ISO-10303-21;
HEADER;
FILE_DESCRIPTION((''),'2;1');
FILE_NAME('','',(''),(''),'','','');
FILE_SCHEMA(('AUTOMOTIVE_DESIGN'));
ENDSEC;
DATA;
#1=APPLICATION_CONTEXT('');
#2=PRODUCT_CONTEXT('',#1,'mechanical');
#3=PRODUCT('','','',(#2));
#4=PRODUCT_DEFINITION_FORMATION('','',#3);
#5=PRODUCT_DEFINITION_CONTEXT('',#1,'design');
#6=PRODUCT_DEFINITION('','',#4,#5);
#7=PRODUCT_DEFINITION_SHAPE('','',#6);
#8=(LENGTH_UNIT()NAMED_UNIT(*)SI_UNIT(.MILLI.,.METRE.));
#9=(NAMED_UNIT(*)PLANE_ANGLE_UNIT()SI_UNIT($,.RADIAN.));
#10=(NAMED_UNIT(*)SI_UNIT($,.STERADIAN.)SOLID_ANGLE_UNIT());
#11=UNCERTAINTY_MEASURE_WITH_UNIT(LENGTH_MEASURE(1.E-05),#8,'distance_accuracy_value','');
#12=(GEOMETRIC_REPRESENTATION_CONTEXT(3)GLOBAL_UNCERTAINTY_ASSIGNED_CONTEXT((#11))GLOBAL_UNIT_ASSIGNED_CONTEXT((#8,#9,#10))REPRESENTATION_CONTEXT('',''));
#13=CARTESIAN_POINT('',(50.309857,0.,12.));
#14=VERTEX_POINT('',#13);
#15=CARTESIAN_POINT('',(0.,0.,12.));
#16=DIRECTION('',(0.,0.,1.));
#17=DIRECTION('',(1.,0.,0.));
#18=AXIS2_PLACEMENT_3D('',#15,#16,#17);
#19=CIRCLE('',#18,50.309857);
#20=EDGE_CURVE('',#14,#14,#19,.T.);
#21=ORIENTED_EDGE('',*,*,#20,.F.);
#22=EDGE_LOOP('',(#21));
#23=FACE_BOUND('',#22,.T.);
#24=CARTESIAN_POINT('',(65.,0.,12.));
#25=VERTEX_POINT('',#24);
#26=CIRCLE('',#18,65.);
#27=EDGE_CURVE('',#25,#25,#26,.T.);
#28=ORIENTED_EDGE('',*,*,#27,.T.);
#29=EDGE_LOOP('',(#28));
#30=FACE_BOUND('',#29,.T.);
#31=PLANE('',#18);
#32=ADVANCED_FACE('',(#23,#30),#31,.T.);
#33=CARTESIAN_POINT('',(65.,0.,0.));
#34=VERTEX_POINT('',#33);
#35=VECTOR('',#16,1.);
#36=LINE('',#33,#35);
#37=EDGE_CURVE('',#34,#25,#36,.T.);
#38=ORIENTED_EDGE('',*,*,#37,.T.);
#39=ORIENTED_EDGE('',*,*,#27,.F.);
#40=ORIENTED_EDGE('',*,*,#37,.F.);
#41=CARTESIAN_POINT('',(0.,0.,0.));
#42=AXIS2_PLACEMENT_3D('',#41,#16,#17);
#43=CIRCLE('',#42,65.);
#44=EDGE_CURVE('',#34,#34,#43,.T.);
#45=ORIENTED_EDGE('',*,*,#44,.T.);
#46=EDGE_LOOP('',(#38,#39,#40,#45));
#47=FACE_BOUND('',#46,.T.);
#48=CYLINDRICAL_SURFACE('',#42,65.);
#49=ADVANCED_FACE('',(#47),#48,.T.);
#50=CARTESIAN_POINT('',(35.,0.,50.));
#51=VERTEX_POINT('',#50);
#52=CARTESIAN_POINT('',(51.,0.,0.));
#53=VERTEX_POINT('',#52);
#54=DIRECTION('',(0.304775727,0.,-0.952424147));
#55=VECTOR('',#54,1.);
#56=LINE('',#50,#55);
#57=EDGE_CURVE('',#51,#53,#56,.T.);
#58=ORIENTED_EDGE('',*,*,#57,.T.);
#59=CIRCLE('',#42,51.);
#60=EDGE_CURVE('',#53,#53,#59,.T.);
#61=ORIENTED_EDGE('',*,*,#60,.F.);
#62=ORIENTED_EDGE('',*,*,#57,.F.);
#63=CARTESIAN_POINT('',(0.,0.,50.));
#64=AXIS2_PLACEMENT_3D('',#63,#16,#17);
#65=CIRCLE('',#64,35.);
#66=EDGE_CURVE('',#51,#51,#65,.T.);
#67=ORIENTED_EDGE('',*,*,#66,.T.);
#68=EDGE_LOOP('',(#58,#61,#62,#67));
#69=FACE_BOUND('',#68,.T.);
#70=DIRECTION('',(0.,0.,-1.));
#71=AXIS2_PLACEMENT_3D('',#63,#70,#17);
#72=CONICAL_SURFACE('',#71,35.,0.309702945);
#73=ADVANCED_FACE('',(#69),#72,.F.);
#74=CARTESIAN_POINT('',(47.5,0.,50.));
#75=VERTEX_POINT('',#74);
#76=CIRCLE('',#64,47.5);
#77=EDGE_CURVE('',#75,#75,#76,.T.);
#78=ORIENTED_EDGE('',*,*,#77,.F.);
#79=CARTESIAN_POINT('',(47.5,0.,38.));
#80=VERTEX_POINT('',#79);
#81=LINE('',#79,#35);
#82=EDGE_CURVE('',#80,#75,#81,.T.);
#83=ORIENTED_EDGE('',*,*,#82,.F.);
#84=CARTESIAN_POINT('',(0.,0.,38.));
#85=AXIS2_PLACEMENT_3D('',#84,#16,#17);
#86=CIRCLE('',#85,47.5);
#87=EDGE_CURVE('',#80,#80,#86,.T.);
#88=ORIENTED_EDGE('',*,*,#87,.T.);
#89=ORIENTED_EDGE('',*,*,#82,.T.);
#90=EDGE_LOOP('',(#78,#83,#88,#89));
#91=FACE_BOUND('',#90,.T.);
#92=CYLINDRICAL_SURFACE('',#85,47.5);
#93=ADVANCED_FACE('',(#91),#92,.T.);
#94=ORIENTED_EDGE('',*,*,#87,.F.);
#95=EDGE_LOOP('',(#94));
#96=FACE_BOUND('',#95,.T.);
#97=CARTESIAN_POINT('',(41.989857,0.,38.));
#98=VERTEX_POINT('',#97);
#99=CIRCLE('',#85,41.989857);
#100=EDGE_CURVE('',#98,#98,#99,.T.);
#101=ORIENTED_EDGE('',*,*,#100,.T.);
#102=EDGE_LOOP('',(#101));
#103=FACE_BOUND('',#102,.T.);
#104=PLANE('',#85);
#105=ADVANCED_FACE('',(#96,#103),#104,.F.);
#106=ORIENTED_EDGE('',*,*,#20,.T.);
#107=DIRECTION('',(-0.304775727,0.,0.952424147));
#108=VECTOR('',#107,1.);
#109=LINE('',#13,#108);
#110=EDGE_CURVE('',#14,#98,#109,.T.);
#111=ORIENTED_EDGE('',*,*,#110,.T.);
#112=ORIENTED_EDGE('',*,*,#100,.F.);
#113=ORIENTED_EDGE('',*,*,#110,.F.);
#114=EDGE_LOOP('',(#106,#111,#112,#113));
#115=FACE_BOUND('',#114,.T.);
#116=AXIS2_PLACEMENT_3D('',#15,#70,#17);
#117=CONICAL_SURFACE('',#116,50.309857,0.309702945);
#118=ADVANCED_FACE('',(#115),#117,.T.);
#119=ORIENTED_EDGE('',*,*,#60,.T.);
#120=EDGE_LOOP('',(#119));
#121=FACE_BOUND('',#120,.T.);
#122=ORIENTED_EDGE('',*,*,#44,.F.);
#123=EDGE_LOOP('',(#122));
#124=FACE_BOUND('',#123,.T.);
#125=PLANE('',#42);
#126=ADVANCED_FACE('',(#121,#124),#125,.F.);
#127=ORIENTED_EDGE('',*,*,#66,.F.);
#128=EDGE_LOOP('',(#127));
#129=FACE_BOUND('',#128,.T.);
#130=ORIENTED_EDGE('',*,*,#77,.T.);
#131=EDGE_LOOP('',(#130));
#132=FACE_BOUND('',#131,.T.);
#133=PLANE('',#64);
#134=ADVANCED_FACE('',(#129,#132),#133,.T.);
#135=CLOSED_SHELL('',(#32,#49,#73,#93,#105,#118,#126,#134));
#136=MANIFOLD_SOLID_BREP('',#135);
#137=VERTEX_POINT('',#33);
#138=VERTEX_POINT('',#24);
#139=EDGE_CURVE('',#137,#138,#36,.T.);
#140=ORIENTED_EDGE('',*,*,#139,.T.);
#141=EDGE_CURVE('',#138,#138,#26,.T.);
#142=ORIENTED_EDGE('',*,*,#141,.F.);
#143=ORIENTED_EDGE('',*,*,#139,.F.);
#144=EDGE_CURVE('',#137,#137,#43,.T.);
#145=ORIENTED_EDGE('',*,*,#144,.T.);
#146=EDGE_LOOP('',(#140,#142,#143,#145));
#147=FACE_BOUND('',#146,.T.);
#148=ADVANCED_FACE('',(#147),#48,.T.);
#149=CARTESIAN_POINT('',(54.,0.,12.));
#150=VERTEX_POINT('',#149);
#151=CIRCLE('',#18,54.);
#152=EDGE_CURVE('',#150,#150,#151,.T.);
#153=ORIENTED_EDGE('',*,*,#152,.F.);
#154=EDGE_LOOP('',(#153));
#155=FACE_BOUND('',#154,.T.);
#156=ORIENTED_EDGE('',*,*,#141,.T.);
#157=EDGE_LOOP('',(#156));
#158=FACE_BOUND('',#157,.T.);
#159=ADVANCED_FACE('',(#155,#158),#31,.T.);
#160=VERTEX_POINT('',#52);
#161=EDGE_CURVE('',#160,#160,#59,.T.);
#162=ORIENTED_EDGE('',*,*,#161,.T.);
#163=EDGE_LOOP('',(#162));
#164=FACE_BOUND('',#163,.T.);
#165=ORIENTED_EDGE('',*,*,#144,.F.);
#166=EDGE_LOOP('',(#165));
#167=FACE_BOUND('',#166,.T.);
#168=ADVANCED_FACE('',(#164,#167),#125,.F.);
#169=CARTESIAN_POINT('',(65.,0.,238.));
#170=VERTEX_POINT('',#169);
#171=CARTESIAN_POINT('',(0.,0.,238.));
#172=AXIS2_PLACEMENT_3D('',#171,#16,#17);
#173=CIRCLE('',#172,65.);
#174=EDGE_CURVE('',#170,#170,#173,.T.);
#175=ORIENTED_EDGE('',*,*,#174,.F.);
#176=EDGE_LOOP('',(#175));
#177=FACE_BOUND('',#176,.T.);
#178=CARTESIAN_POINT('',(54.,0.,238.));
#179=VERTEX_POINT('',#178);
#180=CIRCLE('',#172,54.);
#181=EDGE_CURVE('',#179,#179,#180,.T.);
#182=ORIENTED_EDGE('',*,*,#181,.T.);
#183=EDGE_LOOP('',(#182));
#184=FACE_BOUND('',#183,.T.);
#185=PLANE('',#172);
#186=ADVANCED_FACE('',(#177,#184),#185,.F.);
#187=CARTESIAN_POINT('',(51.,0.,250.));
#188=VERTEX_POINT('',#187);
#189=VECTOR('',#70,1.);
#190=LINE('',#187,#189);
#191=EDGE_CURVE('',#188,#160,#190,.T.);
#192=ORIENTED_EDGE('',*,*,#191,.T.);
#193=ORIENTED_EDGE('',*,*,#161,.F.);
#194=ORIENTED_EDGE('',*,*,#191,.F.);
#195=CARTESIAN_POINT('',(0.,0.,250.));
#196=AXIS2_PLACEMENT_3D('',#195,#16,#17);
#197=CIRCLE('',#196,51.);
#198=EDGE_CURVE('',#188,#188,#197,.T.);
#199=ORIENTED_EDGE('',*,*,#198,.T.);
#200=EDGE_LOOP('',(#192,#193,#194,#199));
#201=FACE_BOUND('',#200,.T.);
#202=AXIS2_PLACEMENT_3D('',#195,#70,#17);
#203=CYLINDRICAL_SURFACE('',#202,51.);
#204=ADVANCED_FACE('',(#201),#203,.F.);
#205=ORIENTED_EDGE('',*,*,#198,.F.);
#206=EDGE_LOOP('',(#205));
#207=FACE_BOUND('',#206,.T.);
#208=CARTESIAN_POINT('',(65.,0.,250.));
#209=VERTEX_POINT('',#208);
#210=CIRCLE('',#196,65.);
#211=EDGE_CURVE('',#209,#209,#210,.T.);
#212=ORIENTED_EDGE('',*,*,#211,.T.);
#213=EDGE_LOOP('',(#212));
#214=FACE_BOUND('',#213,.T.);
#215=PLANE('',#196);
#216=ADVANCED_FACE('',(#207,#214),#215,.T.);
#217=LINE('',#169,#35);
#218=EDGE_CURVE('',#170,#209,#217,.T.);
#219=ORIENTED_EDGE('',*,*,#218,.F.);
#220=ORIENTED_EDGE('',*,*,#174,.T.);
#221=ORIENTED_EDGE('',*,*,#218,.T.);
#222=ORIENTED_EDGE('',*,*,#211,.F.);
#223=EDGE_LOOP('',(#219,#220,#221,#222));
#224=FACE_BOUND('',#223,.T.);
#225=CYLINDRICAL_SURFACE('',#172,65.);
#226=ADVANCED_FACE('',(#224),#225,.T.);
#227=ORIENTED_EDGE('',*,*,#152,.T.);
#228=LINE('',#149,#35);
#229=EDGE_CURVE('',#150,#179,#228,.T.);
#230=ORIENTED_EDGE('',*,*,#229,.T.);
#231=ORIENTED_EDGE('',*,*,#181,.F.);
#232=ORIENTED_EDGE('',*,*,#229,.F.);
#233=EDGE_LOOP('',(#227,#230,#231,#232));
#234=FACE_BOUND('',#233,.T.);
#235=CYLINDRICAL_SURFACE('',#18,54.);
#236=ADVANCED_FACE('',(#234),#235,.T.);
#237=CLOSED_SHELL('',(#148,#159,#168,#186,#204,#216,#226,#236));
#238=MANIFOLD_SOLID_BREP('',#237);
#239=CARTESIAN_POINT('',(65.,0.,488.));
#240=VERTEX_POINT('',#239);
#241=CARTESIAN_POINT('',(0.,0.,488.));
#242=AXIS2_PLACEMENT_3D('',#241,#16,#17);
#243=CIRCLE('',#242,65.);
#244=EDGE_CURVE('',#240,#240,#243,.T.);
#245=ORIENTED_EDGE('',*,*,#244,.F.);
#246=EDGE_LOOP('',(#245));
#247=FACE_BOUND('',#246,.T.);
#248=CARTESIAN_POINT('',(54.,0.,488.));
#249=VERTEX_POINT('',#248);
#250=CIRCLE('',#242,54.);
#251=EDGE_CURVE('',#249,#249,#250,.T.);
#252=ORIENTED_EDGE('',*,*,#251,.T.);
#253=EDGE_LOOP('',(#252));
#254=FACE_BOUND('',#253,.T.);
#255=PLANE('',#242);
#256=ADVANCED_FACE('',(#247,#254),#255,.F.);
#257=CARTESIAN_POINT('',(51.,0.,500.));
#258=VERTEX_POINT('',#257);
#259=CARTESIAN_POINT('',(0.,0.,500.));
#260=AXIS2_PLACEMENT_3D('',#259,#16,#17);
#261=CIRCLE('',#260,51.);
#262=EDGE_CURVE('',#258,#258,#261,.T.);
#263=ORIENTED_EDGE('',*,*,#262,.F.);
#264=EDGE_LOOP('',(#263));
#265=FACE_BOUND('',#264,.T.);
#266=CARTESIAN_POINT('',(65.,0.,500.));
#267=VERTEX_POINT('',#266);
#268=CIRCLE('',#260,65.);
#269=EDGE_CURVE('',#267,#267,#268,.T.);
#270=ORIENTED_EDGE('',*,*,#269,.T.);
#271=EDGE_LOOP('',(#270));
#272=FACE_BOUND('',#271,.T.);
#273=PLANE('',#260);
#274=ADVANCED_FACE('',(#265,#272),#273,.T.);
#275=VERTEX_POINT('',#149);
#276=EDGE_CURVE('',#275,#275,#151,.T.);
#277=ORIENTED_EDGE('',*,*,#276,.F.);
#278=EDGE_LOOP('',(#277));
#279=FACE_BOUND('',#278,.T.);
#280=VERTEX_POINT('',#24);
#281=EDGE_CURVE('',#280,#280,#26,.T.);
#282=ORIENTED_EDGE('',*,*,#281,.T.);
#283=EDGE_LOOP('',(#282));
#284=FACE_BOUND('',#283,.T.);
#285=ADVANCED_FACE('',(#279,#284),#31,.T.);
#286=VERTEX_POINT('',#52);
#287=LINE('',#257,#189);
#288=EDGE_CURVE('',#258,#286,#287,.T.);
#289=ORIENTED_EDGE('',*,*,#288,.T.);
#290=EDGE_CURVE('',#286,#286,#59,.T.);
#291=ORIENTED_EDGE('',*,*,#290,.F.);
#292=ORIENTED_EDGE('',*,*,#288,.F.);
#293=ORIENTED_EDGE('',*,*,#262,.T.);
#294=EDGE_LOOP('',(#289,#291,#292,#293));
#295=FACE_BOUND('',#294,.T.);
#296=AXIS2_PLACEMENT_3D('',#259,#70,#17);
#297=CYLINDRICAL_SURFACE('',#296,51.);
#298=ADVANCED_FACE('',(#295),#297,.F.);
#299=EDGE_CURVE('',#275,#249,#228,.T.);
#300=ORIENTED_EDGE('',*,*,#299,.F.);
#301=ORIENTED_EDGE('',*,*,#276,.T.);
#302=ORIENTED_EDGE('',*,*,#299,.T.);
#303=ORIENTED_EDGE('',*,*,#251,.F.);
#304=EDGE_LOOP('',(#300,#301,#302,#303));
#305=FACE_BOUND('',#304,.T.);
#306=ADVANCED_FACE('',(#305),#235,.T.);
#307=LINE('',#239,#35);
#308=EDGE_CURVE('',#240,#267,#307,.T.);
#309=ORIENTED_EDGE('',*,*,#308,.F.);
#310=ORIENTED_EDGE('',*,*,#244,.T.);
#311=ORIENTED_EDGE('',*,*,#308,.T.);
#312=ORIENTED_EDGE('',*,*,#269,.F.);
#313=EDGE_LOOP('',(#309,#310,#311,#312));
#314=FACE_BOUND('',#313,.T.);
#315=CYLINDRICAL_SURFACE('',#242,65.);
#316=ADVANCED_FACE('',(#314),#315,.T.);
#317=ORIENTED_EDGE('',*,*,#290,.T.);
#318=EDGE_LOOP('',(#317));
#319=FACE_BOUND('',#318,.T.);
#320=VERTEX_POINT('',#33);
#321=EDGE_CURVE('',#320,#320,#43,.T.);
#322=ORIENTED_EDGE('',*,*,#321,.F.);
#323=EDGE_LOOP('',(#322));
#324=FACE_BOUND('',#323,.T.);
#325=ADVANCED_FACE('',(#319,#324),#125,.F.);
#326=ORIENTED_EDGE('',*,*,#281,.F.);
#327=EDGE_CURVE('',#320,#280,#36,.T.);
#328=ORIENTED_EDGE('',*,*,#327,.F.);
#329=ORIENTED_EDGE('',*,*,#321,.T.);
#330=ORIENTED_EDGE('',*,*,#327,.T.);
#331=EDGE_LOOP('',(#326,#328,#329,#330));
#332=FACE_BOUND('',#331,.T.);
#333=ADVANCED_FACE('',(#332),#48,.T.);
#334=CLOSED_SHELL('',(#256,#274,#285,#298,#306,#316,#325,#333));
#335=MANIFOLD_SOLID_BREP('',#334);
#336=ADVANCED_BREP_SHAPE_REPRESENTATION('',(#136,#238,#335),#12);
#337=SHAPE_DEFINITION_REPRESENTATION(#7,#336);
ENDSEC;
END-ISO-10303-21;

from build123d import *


with BuildPart() as f2:
    # F0 (on Front) → F2 (revolve)
    with BuildSketch(Plane.XZ):
        Polygon((51, 500), (51, 0), (65, 0), (65, 12), (54, 12), (54, 488), (65, 488), (65, 500), align=None)
    revolve(axis=Axis((0, 0, 71.83104), (0, 0, 1)))


with BuildPart() as f4:
    # F3 (on Front) → F4 (revolve)
    with BuildSketch(Plane.XZ):
        Polygon((35, 50), (51, 0), (65, 0), (65, 12), (50.309857, 12), (41.989857, 38), (47.5, 38), (47.5, 50), align=None)
    revolve(axis=Axis((0, 0, 71.83104), (0, 0, 1)))


with BuildPart() as f6:
    # F5 (on Front) → F6 (revolve)
    with BuildSketch(Plane.XZ):
        Polygon((51, 250), (51, 0), (65, 0), (65, 12), (54, 12), (54, 238), (65, 238), (65, 250), align=None)
    revolve(axis=Axis((0, 0, 71.83104), (0, 0, 1)))


solid = Compound([f2.part, f4.part, f6.part])
